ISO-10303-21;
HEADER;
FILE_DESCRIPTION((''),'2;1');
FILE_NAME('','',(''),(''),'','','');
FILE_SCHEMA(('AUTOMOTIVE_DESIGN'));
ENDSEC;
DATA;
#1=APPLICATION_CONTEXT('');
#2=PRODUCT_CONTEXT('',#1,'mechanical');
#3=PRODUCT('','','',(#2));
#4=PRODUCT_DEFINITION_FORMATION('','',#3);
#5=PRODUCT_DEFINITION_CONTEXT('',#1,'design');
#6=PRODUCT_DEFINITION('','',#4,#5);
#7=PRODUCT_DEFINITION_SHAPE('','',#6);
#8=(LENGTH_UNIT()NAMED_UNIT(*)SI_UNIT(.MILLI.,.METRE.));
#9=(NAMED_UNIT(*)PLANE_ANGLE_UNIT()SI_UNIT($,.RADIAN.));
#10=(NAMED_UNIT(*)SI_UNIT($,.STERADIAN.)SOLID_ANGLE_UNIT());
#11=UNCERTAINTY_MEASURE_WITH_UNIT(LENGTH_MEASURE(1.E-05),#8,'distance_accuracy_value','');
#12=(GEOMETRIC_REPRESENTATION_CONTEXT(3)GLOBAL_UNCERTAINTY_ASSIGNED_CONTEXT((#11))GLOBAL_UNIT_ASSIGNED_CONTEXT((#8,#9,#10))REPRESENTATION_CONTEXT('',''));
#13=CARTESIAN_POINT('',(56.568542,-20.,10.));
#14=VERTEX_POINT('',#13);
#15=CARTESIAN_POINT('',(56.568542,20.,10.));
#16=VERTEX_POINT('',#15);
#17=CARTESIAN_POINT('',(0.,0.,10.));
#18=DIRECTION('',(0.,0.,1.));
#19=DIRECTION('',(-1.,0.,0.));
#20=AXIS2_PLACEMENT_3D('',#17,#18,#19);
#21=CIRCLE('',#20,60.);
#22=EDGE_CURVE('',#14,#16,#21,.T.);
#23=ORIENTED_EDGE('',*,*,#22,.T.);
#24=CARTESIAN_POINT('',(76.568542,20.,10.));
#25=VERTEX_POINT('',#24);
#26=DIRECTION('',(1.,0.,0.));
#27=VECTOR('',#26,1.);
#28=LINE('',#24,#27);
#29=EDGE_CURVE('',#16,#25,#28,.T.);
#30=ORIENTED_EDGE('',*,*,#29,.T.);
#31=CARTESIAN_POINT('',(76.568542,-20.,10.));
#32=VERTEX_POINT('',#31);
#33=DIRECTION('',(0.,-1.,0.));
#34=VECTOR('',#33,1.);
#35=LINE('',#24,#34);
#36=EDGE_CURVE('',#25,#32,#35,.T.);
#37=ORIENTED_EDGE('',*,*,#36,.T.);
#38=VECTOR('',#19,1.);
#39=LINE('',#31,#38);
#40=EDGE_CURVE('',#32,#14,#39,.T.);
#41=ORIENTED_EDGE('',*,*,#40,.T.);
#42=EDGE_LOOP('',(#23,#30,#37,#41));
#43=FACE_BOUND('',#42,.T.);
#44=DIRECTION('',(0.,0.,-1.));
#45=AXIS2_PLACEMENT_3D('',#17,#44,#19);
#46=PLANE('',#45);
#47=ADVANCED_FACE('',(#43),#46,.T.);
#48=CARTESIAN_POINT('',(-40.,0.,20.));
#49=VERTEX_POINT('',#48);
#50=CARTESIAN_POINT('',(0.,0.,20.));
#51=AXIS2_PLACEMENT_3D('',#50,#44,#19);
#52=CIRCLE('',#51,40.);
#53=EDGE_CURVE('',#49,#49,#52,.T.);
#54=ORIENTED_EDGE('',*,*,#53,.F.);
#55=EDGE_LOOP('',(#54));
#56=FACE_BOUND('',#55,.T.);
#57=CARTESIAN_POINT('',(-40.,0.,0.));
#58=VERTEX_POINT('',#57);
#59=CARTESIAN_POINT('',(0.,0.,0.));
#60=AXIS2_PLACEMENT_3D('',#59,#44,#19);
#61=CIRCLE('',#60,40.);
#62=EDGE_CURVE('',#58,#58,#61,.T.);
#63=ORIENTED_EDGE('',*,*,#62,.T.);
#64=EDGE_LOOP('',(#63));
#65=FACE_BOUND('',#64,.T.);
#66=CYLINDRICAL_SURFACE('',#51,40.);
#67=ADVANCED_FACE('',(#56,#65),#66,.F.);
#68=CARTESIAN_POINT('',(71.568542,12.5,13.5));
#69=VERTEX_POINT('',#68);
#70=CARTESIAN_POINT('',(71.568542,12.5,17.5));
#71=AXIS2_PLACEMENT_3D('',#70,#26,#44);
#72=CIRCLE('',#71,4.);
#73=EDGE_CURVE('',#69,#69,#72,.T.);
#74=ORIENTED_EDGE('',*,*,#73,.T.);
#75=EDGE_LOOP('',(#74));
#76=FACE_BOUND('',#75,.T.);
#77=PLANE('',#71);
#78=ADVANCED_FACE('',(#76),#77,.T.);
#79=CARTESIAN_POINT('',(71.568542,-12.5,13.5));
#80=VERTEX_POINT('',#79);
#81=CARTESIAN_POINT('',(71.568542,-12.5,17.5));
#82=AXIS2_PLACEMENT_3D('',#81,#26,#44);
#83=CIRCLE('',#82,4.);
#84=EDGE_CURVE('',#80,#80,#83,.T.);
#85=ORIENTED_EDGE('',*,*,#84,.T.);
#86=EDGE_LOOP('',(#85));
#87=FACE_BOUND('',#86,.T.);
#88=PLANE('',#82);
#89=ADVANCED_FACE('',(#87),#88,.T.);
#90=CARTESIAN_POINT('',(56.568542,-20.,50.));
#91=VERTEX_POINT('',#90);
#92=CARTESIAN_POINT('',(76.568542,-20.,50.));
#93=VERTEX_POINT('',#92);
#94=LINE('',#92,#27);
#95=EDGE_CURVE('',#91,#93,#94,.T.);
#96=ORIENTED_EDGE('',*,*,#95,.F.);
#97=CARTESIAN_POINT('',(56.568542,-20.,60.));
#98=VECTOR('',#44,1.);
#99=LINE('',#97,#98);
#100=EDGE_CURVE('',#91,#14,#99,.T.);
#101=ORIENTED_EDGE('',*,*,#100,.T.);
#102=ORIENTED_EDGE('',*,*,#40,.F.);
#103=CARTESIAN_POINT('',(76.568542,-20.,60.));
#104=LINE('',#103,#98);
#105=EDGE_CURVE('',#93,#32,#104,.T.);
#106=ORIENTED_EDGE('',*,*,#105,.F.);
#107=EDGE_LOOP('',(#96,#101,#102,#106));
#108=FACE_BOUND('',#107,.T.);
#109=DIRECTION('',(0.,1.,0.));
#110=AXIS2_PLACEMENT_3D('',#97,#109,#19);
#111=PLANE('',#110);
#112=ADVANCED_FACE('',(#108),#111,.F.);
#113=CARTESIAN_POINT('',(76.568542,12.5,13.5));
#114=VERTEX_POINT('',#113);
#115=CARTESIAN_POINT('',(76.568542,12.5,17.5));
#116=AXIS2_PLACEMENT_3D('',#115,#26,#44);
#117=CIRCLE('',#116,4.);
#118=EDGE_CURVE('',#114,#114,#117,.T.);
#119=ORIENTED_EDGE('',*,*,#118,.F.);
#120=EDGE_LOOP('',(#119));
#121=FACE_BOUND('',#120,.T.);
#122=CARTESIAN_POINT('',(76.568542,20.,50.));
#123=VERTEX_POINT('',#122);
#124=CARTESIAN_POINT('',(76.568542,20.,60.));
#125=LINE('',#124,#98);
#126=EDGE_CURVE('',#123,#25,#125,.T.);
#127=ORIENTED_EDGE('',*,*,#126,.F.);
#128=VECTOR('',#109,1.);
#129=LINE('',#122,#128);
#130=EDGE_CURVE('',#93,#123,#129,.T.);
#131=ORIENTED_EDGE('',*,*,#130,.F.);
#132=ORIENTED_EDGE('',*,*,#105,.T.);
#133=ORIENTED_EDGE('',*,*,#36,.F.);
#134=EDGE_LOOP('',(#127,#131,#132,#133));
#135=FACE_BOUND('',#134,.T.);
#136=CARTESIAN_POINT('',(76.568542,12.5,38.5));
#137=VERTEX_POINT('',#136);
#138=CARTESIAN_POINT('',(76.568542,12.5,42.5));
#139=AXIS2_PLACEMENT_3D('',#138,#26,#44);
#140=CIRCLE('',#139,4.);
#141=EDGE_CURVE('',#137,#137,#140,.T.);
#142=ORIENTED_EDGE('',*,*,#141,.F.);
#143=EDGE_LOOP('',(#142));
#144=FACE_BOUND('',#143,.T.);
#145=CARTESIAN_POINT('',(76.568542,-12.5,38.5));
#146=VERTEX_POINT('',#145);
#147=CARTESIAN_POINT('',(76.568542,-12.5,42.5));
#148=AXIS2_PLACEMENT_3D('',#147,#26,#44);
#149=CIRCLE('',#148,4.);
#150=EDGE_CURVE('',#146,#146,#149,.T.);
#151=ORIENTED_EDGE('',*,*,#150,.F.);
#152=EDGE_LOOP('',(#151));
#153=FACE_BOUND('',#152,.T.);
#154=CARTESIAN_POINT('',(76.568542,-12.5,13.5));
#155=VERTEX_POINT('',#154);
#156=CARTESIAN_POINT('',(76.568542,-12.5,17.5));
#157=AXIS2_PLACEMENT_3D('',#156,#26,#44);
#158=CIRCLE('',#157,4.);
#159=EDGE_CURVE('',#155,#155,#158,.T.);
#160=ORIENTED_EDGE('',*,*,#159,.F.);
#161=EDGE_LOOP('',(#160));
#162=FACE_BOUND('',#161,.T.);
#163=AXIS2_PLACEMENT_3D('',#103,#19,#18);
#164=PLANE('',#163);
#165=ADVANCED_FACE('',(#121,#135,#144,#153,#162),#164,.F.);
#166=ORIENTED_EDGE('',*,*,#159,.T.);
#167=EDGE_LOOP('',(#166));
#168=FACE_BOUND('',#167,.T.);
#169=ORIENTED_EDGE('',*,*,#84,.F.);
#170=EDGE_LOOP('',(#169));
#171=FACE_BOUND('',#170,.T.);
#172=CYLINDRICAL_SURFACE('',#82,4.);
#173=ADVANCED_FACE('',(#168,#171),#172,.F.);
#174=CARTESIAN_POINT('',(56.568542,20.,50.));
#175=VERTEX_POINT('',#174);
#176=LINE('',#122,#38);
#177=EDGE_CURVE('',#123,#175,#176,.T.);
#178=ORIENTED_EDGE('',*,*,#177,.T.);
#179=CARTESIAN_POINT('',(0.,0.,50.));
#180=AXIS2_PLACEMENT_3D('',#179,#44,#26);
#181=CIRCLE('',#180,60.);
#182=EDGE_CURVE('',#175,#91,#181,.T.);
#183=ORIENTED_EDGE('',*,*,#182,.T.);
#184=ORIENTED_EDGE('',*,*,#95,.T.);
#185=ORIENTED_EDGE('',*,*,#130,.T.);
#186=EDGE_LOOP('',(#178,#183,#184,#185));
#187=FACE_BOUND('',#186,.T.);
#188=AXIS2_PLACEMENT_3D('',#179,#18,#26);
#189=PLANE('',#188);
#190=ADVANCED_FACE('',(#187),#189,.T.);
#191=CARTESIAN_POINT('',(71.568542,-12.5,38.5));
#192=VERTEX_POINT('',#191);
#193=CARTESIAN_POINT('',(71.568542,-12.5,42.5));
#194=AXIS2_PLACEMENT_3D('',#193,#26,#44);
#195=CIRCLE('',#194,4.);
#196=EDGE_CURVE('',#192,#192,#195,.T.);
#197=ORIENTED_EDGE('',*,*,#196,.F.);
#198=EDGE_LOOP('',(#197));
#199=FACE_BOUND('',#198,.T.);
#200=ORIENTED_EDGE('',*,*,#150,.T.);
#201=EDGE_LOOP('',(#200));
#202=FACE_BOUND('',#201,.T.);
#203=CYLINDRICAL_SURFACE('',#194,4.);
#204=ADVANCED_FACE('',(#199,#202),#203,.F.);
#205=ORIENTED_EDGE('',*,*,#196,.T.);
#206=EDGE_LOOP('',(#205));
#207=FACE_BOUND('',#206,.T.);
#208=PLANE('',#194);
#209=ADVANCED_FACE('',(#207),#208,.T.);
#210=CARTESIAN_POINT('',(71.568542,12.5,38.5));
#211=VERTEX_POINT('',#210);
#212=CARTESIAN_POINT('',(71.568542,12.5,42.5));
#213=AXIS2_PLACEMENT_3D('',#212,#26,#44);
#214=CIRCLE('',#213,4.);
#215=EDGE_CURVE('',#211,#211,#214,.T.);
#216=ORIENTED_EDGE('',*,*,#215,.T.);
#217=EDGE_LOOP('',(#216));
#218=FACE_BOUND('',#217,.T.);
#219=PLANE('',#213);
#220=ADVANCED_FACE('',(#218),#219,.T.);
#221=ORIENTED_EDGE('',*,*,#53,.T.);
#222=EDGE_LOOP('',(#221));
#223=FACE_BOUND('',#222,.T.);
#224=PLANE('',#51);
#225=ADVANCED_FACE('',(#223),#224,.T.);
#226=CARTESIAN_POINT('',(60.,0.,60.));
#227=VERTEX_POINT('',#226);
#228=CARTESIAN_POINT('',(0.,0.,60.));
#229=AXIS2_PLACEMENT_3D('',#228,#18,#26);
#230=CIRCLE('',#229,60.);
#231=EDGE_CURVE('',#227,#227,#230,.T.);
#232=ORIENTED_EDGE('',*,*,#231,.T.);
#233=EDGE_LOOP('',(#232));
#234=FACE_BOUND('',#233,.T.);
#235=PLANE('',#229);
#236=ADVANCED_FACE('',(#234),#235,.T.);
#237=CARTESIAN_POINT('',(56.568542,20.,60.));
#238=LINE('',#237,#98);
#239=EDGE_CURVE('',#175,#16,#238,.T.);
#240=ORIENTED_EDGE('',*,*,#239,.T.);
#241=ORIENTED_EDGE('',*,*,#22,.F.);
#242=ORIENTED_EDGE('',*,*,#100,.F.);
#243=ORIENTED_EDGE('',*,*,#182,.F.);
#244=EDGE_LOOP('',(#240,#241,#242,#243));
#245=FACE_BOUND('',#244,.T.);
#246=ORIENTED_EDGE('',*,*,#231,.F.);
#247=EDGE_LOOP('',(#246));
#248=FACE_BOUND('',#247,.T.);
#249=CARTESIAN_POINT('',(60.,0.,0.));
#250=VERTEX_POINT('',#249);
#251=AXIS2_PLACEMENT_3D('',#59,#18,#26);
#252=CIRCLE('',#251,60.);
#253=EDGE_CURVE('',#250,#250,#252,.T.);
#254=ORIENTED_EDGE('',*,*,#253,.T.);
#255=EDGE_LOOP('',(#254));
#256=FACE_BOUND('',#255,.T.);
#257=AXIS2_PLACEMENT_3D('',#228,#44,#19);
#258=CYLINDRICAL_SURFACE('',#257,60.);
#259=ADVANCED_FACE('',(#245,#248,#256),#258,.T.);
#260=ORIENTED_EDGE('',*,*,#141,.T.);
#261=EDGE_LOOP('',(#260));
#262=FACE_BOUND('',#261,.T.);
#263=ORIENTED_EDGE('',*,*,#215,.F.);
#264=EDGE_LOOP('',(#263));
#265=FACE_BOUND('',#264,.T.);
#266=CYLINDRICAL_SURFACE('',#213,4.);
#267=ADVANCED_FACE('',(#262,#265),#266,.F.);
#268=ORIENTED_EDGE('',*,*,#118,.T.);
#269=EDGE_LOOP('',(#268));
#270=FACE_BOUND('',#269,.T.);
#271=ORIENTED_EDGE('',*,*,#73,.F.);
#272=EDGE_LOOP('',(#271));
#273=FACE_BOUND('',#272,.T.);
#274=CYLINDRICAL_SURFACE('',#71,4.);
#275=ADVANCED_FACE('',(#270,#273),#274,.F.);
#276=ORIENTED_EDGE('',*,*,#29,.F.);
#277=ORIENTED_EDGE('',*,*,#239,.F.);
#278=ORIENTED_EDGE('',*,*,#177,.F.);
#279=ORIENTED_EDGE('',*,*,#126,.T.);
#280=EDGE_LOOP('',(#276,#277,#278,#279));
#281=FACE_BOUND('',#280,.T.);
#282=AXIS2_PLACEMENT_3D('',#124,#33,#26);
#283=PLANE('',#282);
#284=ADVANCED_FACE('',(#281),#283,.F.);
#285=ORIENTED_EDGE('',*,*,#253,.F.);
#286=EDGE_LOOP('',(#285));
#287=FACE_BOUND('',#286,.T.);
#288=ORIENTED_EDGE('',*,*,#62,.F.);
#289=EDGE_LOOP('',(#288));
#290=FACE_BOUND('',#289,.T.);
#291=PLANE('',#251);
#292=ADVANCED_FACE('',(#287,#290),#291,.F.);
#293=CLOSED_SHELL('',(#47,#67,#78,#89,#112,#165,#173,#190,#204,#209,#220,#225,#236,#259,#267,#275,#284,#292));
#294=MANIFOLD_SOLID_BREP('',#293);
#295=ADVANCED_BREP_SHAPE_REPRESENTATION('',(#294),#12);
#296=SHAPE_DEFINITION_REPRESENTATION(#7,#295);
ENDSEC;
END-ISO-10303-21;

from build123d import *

# Parameters (mm, degrees)
EXTRUDE_1_DEPTH     = 60
CUT_EXTRUDE_1_DEPTH = 10
CUT_EXTRUDE_2_DEPTH = 10
SKETCH_4_R          = 40
CUT_EXTRUDE_3_DEPTH = 20
SKETCH_5_R          = 4
CUT_EXTRUDE_4_DEPTH = 5


with BuildPart() as part:
    # 草图1 → 凸台-拉伸1 (new body)
    with BuildSketch(Plane.XY):
        with BuildLine():
            Line((56.568542495, -20), (76.568542495, -20))
            Line((76.568542495, -20), (76.568542495, 20))
            Line((76.568542495, 20), (56.568542495, 20))
            ThreePointArc((56.568542495, 20), (-60, 0), (56.568542495, -20))
        make_face()
    extrude(amount=EXTRUDE_1_DEPTH)

    # 草图2 → 切除-拉伸1 (cut)
    with BuildSketch(Plane(origin=(0, 0, 0), x_dir=(-1, 0, 0), z_dir=(0, 0, -1))):
        with BuildLine():
            Line((-76.568542495, 20), (-76.568542495, -20))
            Line((-76.568542495, -20), (-56.568542495, -20))
            ThreePointArc((-56.568542495, -20), (-60, 0), (-56.568542495, 20))
            Line((-56.568542495, 20), (-76.568542495, 20))
        make_face()
    extrude(amount=-CUT_EXTRUDE_1_DEPTH, mode=Mode.SUBTRACT)

    # 草图3 → 切除-拉伸2 (cut)
    with BuildSketch(Plane.XY.offset(60)):
        with BuildLine():
            Line((76.568542495, 20), (76.568542495, -20))
            Line((76.568542495, -20), (56.568542495, -20))
            ThreePointArc((56.568542495, -20), (60, 0), (56.568542495, 20))
            Line((56.568542495, 20), (76.568542495, 20))
        make_face()
    extrude(amount=-CUT_EXTRUDE_2_DEPTH, mode=Mode.SUBTRACT)

    # 草图4 → 切除-拉伸3 (cut)
    with BuildSketch(Plane(origin=(0, 0, 0), x_dir=(-1, 0, 0), z_dir=(0, 0, -1))):
        Circle(SKETCH_4_R)
    extrude(amount=-CUT_EXTRUDE_3_DEPTH, mode=Mode.SUBTRACT)

    # 草图5 → 切除-拉伸4 (cut)
    with BuildSketch(Plane(origin=(76.568542495, 0, 0), x_dir=(0, 0, -1), z_dir=(1, 0, 0))):
        with Locations((-17.5, 12.5)):
            Circle(SKETCH_5_R)
        with Locations((-17.5, -12.5)):
            Circle(SKETCH_5_R)
        with Locations((-42.5, -12.5)):
            Circle(SKETCH_5_R)
        with Locations((-42.5, 12.5)):
            Circle(SKETCH_5_R)
    extrude(amount=-CUT_EXTRUDE_4_DEPTH, mode=Mode.SUBTRACT)


solid = part.part
